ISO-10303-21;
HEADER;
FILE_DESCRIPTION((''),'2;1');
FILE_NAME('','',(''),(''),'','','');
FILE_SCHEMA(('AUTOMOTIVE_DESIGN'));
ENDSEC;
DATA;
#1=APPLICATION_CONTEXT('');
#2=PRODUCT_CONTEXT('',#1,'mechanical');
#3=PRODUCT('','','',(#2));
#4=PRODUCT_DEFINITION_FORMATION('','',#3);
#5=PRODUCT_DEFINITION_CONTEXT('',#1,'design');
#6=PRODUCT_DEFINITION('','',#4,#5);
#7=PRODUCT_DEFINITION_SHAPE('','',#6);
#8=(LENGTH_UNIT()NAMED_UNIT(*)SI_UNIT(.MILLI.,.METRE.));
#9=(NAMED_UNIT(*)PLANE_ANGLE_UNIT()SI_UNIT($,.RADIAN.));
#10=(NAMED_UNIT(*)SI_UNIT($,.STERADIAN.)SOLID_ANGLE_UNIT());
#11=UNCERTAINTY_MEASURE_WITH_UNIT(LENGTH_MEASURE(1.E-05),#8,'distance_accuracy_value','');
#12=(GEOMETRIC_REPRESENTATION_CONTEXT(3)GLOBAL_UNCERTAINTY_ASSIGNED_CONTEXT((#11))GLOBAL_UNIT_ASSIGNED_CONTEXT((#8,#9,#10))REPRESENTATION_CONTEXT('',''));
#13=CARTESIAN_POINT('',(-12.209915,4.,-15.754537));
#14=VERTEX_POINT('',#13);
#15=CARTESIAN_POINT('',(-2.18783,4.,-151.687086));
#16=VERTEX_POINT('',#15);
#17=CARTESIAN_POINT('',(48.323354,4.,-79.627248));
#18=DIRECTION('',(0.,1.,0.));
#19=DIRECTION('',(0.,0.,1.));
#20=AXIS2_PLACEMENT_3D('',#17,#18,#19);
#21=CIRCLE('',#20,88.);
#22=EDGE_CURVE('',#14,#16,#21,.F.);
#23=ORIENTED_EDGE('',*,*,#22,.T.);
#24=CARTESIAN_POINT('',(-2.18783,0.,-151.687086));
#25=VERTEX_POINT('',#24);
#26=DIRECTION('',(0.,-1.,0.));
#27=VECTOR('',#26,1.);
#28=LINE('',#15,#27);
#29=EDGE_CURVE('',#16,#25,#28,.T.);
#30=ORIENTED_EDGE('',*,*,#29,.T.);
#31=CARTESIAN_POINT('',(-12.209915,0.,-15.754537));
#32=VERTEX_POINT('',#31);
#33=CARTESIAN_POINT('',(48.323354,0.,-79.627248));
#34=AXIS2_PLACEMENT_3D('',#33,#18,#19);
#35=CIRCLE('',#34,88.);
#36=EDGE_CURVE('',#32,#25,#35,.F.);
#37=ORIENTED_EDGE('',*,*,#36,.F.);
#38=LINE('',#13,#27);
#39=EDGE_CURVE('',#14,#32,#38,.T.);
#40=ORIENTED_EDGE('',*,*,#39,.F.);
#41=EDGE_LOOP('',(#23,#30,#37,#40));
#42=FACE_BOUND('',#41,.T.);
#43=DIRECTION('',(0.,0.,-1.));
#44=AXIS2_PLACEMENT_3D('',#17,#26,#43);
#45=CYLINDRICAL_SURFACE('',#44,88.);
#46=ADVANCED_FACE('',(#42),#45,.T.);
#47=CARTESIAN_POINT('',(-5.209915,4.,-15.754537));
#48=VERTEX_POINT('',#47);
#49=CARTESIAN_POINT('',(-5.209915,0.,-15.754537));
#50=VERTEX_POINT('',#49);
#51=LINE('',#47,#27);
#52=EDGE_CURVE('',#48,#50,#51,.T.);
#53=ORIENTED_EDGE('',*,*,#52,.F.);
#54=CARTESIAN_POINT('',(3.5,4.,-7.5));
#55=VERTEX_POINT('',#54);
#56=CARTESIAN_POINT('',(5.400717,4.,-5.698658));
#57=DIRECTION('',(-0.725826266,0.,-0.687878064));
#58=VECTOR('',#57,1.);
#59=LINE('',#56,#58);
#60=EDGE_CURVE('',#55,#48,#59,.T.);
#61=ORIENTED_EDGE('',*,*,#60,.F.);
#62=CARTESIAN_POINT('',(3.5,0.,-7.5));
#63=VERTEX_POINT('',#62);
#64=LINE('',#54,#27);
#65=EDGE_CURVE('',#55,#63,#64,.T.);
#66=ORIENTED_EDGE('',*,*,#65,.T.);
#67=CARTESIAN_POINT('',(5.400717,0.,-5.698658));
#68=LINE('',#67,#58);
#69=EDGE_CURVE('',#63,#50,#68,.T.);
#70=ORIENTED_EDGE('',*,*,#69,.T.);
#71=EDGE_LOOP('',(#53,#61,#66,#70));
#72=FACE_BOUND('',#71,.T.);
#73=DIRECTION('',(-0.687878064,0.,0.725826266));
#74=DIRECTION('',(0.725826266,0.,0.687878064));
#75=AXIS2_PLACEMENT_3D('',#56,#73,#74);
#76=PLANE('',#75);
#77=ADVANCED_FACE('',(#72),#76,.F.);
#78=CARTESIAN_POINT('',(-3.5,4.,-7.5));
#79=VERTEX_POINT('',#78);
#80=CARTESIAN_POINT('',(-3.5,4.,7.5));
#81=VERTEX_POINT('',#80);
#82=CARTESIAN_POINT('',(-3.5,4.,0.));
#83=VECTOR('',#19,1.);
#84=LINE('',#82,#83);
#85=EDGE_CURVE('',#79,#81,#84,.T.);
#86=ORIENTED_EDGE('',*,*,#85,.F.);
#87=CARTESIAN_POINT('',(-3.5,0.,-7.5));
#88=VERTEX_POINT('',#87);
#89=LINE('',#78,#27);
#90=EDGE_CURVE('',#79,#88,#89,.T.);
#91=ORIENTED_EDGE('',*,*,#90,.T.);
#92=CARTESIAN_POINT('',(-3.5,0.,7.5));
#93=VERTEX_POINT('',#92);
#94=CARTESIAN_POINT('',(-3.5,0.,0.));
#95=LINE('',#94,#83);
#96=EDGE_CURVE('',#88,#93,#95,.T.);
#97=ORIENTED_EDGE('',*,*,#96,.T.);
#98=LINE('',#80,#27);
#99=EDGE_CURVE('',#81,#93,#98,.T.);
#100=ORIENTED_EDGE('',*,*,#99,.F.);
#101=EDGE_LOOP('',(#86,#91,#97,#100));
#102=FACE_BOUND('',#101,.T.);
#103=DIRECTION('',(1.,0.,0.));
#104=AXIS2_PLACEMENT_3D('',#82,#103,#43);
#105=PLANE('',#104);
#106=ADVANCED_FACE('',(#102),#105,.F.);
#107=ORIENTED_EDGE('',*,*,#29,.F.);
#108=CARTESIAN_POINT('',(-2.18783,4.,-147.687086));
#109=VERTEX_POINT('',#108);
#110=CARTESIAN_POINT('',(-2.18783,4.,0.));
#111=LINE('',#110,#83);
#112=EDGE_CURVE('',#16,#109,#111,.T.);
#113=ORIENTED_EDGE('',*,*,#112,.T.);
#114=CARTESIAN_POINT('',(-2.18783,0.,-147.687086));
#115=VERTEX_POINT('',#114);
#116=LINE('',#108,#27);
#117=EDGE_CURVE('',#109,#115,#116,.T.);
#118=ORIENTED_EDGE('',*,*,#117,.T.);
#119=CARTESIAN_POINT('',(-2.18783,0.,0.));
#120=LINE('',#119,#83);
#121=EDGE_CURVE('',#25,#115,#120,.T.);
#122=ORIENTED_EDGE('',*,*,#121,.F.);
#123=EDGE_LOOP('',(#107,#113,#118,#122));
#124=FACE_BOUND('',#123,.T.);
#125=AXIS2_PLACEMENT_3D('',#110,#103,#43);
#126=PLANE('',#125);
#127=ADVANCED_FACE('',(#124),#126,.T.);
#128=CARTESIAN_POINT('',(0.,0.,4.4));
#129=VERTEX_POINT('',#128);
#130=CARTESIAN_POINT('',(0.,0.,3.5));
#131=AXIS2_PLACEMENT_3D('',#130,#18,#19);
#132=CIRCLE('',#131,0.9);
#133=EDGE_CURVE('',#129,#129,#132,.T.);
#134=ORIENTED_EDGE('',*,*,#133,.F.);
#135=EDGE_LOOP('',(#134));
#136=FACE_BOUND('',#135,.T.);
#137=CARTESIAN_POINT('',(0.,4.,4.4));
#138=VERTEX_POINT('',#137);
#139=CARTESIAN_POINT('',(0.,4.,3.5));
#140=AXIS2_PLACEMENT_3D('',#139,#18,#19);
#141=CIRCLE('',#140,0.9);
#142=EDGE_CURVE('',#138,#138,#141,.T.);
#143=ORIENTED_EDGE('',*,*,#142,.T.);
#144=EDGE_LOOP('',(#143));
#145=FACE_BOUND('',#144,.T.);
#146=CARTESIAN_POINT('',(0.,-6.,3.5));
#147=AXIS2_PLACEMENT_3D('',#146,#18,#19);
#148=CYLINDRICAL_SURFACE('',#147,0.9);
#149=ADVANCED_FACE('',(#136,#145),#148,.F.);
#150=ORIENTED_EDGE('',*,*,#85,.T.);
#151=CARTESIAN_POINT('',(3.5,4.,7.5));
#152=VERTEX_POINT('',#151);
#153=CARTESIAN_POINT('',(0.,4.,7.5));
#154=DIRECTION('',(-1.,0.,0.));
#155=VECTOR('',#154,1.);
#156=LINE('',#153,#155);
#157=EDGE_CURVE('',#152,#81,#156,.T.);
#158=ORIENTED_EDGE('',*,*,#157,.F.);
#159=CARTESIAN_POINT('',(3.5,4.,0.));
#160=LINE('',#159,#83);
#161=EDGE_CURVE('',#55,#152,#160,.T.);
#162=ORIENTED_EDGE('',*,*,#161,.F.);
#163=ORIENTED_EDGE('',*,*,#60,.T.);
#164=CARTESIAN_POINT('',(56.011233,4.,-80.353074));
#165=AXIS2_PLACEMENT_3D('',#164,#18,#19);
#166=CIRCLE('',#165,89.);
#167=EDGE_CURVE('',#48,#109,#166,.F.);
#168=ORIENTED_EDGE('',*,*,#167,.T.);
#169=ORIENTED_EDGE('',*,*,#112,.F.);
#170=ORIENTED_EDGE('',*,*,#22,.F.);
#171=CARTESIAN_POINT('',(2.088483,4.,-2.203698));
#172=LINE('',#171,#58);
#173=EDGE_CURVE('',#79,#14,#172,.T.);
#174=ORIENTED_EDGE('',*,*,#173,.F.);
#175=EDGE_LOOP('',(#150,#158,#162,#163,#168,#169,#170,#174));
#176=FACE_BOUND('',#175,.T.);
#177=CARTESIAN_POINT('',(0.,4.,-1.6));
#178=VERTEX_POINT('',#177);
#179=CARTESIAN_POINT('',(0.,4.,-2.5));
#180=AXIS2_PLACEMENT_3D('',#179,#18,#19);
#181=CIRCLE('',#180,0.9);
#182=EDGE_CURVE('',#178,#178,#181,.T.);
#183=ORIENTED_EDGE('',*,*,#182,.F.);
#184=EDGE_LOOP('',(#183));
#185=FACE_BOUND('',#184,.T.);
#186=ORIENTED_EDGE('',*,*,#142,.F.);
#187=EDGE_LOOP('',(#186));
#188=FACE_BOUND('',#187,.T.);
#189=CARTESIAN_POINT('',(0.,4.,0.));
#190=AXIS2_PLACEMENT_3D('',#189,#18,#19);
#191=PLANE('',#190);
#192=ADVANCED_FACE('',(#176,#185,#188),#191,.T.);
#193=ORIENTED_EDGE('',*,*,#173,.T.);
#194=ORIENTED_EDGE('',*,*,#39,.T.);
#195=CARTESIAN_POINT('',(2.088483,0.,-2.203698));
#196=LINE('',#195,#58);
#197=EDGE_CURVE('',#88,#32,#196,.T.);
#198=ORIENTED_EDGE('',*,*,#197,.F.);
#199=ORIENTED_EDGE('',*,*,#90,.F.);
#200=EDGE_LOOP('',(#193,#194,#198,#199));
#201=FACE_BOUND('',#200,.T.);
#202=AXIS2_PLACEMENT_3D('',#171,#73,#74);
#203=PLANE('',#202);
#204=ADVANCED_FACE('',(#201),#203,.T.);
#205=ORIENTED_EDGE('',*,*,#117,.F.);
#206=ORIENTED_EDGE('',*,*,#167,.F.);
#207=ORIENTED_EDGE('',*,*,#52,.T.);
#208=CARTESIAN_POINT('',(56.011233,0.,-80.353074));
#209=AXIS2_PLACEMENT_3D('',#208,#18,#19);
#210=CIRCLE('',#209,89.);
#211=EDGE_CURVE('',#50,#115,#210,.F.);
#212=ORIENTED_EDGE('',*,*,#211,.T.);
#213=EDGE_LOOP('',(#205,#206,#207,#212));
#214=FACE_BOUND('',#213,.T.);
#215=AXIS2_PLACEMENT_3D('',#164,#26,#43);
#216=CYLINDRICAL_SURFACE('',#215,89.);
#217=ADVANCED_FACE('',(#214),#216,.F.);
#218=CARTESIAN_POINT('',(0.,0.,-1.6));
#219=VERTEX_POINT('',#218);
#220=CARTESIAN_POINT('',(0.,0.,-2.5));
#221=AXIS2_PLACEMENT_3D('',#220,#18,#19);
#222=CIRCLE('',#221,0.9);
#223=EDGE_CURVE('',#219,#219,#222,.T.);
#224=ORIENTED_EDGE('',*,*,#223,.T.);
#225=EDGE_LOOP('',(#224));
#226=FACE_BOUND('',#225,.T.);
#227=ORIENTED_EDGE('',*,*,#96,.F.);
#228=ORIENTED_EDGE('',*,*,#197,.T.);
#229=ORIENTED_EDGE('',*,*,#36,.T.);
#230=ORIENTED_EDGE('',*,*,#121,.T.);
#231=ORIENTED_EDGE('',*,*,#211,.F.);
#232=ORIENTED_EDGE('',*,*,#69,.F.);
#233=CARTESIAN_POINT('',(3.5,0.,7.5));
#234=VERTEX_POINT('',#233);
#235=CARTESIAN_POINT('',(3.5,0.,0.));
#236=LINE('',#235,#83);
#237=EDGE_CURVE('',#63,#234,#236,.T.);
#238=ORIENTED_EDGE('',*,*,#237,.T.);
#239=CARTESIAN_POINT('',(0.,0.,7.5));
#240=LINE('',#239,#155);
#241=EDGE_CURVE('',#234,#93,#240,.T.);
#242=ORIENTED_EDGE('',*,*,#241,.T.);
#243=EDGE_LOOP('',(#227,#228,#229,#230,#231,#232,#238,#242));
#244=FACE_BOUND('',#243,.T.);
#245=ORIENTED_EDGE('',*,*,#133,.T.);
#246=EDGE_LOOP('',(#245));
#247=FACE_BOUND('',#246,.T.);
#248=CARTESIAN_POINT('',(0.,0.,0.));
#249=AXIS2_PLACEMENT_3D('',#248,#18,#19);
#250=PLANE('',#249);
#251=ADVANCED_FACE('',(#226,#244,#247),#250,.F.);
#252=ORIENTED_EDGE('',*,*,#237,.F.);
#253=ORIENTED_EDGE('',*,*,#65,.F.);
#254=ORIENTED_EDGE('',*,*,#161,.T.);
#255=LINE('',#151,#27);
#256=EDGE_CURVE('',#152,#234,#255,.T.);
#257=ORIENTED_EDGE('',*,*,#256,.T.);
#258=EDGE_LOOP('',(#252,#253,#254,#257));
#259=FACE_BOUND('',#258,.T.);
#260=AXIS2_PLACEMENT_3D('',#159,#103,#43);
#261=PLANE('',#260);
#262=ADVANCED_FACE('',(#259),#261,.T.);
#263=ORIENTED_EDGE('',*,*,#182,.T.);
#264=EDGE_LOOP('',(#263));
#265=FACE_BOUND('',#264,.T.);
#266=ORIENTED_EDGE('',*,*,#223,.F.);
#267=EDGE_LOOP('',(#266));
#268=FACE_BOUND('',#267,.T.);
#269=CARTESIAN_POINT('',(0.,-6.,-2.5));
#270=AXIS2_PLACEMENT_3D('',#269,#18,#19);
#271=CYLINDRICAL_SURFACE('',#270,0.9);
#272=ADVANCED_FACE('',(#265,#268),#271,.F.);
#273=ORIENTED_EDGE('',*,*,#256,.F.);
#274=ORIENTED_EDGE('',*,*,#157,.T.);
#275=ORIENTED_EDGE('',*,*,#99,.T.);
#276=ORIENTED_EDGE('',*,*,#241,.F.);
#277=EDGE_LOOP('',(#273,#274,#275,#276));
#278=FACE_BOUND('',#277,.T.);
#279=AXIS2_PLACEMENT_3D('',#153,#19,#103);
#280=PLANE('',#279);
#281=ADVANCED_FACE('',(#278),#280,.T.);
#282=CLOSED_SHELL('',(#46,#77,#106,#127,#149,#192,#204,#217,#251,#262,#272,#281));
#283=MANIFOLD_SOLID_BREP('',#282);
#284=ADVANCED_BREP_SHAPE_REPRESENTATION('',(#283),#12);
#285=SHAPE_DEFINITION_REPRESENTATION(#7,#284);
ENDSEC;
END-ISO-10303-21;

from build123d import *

# Parameters (mm, degrees)
EXTRUDE_1_DEPTH     = 4
SKETCH_5_R          = 0.9
CUT_EXTRUDE_1_DEPTH = 10


with BuildPart() as part:
    # 草图1 → 凸台-拉伸1 (new body)
    with BuildSketch(Plane(origin=(0, 0, 0), x_dir=(1, 0, 0), z_dir=(0, 1, 0))):
        with BuildLine():
            Line((3.5, 7.5), (3.5, -7.5))
            Line((3.5, -7.5), (-3.5, -7.5))
            Line((-3.5, -7.5), (-3.5, 7.5))
            Line((-3.5, 7.5), (-12.209915195, 15.754536771))
            ThreePointArc((-12.209915195, 15.754536771), (-39.438437854, 86.09778223), (-2.187829675, 151.687086375))
            Line((-2.187829675, 151.687086375), (-2.187829675, 147.687086375))
            ThreePointArc((-2.187829675, 147.687086375), (-32.965427594, 82.391199834), (-5.209915195, 15.754536771))
            Line((-5.209915195, 15.754536771), (3.5, 7.5))
        make_face()
    extrude(amount=EXTRUDE_1_DEPTH)

    # 草图5 → 切除-拉伸1 (cut)
    with BuildSketch(Plane(origin=(0, 4, 0), x_dir=(1, 0, 0), z_dir=(0, 1, 0))):
        with Locations(Location((0, -3.5, 0), (0, 0, 270))):
            Circle(SKETCH_5_R)
        with Locations(Location((0, 2.5, 0), (0, 0, 270))):
            Circle(SKETCH_5_R)
    extrude(amount=-CUT_EXTRUDE_1_DEPTH, mode=Mode.SUBTRACT)


solid = part.part
